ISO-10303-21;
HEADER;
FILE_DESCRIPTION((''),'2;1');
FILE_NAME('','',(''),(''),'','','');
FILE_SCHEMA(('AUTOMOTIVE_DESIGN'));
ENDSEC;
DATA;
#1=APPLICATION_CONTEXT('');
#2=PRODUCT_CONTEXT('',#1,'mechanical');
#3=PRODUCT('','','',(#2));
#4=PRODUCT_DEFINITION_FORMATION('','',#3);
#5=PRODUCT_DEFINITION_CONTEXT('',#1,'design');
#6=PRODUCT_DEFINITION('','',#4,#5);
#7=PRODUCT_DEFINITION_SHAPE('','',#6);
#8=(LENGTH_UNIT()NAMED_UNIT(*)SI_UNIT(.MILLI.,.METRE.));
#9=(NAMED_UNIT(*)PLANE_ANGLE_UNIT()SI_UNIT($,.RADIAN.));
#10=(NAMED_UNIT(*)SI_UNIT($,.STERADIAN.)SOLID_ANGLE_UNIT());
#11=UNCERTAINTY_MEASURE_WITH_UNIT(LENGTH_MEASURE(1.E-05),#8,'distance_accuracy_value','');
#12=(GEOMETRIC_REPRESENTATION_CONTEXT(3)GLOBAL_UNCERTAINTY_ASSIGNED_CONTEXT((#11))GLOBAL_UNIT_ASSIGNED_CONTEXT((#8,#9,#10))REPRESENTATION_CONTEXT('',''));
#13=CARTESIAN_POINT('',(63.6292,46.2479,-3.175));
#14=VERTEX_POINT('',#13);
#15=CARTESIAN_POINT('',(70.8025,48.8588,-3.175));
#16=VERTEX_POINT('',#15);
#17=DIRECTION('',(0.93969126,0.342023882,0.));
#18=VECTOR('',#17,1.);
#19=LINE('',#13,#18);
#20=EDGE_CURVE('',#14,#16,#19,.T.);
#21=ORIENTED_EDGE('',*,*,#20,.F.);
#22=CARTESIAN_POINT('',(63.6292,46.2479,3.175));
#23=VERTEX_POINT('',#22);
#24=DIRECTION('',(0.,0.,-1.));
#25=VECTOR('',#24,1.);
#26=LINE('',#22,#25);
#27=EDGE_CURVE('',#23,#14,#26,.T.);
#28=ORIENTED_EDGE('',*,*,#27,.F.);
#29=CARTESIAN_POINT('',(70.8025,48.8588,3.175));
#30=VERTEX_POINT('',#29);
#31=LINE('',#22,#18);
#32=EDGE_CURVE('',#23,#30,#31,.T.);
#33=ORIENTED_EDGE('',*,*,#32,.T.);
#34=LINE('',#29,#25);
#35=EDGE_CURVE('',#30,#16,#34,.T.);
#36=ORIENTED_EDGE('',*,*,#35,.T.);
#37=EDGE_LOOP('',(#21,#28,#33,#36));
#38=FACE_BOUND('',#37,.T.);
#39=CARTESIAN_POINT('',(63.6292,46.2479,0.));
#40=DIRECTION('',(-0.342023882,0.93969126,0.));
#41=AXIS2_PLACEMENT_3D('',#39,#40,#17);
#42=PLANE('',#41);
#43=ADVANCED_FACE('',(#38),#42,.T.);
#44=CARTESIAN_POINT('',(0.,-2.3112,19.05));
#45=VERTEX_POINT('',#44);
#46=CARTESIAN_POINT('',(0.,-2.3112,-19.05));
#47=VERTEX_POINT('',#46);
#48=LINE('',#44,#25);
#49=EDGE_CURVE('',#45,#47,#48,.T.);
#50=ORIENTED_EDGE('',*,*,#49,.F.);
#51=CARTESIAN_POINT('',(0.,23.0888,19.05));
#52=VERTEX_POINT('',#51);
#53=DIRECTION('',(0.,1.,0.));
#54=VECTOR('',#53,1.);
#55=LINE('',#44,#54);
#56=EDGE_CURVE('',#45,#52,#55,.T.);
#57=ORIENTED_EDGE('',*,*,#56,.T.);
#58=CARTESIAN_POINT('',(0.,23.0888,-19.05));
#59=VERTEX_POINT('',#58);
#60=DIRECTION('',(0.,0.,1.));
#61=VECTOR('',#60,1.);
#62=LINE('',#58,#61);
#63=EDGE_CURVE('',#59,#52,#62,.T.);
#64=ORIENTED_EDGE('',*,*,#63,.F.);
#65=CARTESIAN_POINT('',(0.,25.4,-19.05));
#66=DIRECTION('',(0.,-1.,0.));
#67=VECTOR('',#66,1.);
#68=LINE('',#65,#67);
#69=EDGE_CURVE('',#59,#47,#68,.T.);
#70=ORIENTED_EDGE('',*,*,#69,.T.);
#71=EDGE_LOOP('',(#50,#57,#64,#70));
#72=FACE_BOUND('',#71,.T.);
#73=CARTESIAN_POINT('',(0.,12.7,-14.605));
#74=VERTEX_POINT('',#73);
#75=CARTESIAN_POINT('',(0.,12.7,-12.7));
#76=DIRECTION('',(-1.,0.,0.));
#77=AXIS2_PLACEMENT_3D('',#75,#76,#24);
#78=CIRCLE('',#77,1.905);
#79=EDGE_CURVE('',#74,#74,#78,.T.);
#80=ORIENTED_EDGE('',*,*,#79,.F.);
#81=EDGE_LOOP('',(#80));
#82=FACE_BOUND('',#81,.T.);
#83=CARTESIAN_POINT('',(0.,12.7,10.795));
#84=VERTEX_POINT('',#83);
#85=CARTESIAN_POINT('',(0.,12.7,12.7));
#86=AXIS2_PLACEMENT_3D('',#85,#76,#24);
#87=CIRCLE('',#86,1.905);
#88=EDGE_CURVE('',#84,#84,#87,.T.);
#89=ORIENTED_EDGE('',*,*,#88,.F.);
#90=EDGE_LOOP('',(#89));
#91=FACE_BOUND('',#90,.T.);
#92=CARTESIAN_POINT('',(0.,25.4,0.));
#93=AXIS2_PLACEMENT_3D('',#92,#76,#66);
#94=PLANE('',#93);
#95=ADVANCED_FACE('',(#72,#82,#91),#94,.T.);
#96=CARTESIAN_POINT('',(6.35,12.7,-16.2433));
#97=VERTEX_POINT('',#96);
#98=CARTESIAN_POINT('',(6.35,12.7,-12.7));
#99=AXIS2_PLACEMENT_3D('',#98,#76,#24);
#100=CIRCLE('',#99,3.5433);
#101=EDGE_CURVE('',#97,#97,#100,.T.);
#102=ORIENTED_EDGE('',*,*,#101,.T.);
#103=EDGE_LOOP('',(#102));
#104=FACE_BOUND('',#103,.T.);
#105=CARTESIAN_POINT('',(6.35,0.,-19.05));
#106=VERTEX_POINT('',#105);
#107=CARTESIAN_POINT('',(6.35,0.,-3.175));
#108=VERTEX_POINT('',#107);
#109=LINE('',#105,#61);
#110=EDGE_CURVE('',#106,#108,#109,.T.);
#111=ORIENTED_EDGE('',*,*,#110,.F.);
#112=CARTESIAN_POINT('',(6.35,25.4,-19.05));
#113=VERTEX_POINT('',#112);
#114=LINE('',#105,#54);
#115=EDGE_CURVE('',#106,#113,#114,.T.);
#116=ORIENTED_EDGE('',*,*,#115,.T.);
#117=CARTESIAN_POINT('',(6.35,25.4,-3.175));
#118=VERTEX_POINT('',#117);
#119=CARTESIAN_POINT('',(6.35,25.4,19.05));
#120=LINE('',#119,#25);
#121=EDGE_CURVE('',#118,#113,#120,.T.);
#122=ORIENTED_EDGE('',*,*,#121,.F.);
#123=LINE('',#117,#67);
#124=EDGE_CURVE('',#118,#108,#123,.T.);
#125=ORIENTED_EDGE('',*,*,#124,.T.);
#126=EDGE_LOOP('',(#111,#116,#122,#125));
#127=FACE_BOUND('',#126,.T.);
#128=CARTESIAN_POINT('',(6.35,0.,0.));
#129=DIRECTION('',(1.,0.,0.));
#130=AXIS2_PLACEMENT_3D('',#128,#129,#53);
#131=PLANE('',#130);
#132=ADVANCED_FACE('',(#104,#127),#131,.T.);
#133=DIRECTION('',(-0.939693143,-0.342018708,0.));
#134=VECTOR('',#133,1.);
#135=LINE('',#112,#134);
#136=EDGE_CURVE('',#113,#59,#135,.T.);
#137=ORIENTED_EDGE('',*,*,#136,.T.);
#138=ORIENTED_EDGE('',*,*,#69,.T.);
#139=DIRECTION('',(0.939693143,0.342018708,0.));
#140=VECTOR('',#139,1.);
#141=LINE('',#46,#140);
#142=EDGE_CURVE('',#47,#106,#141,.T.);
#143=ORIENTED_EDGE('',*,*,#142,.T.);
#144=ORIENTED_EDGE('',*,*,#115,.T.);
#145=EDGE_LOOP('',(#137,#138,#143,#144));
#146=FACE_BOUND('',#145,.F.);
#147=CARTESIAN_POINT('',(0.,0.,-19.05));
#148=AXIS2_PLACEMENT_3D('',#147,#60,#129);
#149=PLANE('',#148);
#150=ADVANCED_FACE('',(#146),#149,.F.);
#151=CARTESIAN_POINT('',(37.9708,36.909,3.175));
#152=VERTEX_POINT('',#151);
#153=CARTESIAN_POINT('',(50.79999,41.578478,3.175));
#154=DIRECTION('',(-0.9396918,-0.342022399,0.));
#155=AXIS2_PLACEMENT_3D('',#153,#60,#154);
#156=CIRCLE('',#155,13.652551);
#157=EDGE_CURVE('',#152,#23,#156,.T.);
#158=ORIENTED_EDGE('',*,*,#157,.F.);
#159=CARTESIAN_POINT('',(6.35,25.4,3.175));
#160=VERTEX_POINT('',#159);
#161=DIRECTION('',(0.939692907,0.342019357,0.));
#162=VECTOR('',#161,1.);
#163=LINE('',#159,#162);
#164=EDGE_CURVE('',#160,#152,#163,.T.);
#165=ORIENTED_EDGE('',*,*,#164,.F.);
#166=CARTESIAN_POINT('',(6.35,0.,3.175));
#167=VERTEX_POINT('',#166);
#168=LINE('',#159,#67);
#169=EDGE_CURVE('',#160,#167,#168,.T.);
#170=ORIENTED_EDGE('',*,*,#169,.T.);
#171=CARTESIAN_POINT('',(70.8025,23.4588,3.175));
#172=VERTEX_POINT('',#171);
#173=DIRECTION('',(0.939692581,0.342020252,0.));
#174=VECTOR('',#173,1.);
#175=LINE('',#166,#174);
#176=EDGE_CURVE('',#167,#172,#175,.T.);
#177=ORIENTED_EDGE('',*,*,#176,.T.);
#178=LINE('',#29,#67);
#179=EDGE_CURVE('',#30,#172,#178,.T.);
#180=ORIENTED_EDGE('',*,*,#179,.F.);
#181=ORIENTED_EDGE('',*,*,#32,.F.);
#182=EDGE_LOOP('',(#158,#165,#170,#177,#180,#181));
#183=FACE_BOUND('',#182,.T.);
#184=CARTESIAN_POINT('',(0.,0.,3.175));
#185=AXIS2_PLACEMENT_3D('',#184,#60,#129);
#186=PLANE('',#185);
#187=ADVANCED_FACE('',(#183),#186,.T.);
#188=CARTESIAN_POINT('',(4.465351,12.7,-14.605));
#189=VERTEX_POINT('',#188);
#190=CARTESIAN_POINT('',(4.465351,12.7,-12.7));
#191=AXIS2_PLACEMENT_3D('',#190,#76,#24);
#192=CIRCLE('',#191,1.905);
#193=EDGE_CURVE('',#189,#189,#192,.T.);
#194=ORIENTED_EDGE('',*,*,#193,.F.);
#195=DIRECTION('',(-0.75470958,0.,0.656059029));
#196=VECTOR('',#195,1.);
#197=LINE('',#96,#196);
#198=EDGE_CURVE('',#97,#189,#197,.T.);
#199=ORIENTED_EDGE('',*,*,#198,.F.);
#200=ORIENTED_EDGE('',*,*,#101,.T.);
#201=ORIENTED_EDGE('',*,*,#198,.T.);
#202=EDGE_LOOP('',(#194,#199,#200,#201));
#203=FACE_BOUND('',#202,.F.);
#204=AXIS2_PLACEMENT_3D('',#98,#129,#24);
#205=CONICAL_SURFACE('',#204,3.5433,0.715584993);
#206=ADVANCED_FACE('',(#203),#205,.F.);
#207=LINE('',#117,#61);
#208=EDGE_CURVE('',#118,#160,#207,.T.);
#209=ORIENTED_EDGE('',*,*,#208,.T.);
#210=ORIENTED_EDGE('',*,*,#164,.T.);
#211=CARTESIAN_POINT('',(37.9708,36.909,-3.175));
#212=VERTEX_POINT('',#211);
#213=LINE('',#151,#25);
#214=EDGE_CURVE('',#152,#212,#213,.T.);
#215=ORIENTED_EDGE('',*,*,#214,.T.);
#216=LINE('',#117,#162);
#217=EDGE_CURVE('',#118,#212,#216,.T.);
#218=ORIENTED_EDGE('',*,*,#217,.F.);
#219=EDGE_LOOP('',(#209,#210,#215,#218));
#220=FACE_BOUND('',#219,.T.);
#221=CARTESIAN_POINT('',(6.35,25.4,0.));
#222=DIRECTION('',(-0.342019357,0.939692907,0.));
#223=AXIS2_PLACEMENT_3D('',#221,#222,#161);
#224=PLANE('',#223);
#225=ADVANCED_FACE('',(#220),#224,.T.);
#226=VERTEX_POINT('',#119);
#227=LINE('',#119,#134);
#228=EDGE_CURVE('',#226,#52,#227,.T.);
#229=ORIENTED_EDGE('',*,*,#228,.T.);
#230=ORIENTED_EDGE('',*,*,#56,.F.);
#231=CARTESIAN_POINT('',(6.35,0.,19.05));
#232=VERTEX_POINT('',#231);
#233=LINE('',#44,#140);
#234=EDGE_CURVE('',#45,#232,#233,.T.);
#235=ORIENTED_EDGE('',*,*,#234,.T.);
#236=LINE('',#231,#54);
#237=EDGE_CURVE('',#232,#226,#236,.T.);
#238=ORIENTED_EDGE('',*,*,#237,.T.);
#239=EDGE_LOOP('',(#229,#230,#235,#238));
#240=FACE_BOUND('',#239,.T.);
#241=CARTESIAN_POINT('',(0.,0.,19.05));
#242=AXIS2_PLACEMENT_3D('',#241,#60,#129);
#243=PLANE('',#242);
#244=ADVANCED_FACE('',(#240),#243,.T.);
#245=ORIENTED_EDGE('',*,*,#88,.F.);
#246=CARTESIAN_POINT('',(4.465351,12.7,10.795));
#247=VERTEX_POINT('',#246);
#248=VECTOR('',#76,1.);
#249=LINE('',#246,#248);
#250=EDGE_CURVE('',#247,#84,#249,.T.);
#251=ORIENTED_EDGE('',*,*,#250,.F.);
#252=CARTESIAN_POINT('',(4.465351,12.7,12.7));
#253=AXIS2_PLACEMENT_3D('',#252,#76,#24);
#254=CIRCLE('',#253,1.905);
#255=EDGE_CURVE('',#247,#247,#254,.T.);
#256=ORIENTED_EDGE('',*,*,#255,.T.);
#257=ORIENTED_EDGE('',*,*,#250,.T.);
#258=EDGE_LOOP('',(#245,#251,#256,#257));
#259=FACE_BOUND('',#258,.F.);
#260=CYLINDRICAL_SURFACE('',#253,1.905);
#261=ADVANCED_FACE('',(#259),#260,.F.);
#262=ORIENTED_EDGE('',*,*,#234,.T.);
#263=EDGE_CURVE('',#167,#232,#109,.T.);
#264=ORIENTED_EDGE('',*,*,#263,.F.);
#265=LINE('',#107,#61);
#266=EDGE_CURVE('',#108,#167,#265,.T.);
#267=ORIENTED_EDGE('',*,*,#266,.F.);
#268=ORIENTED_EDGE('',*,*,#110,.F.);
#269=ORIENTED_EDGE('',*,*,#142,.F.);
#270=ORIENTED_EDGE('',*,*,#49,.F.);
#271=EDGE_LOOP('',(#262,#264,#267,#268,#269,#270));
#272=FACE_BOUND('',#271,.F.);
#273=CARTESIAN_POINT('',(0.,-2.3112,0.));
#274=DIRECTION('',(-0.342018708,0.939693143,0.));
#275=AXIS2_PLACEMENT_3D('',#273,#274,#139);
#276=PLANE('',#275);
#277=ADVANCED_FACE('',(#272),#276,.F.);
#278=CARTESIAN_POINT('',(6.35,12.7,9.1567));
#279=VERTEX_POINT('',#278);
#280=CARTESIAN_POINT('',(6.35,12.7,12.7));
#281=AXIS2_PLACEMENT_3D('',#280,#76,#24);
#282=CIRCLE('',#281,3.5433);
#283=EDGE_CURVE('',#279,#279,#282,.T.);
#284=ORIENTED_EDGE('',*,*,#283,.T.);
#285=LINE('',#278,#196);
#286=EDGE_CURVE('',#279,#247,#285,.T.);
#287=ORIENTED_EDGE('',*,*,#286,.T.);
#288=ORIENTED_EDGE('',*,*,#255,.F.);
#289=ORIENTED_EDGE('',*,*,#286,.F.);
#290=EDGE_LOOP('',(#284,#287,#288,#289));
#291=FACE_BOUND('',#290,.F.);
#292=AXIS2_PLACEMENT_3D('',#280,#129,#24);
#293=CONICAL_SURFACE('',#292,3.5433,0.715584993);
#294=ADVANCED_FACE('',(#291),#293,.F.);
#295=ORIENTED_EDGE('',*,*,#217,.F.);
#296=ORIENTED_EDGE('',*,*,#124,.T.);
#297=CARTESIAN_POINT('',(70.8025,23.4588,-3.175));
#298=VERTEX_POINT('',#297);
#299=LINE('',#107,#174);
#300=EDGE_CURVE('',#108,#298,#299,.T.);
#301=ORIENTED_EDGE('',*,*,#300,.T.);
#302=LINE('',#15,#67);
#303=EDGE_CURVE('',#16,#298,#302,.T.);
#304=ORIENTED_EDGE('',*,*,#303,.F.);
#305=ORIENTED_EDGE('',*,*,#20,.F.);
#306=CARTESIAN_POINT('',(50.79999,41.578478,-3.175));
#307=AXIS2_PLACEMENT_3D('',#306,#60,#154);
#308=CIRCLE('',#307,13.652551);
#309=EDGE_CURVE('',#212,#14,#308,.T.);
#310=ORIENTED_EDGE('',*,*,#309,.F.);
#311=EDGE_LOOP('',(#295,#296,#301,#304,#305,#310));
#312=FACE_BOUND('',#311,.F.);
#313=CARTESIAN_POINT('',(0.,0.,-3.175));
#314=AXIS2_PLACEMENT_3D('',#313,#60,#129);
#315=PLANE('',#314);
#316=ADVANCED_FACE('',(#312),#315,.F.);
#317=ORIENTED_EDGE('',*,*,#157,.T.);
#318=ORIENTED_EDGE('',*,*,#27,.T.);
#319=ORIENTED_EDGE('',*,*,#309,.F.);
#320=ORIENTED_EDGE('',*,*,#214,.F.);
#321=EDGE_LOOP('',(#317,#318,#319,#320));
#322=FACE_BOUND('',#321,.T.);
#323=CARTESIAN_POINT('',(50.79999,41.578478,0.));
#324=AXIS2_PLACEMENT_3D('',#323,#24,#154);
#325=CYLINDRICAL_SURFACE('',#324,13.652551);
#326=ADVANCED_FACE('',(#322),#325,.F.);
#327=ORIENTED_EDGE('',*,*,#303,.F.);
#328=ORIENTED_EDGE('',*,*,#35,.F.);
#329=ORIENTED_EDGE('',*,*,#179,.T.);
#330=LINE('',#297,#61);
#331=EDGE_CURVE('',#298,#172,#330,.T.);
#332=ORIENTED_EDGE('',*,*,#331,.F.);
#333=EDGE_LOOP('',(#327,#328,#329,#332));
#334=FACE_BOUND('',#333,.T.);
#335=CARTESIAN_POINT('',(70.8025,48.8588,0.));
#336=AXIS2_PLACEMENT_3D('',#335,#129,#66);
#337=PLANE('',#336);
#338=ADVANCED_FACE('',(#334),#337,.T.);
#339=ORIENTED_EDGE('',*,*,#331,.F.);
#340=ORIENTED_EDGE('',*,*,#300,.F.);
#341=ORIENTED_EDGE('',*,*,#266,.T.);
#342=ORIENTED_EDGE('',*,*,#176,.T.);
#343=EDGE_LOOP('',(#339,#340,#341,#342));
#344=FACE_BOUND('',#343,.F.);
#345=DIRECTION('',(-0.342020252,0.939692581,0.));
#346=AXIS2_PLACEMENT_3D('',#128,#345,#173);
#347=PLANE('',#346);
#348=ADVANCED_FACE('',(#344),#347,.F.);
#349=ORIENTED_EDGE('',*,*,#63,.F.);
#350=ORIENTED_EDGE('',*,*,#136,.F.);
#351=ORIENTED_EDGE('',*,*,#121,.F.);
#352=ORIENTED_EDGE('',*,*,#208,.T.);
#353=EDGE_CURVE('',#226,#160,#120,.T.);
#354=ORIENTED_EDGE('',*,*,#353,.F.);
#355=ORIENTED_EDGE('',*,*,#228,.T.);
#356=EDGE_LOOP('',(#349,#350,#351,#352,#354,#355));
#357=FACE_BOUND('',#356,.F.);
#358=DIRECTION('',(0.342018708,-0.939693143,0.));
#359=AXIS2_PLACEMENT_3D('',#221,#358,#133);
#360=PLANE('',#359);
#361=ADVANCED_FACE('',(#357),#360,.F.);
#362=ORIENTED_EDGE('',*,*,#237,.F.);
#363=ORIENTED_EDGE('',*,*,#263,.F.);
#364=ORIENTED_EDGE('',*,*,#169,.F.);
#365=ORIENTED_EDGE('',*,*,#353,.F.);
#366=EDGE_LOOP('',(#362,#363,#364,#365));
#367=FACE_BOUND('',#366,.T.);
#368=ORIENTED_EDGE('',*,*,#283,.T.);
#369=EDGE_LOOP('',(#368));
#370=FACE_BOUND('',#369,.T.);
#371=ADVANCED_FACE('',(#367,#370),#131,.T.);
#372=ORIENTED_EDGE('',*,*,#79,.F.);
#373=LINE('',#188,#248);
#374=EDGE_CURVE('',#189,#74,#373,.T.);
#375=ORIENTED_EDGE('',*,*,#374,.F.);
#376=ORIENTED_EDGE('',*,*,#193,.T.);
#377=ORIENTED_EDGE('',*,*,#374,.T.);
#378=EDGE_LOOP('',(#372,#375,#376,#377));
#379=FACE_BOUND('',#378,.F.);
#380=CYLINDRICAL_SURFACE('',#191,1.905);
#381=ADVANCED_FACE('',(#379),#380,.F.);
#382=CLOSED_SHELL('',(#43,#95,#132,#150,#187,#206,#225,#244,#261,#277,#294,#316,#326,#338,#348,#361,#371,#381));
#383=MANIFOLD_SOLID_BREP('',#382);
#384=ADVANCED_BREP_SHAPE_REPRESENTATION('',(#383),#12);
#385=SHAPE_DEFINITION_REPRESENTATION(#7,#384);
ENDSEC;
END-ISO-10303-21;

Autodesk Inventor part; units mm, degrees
ref_plane "YZ Plane" through (0, 0, 0) normal (1, 0, 0) x (0, 1, 0)
ref_plane "XZ Plane" through (0, 0, 0) normal (0, 1, 0) x (-1, 0, 0)
sketch "Sketch5" plane through (0, 0, 0) normal (0, 0, 1) x (1, 0, 0)
  line L0 (0, 0) -> (6.35, 0)
  line L1 (6.35, 0) -> (6.35, 25.4)
  line L2 (6.35, 25.4) -> (0, 25.4)
  line L3 (0, 25.4) -> (0, 0)
  dimension "d21" = 25.4
  dimension "d22" = 6.35
extrude "Extrusion3" add sketch "Sketch5" against normal mid plane 38.1
sketch "Sketch6" plane through (0, 0, 0) normal (0, 0, 1) x (1, 0, 0)
  line L0 (6.35, 25.4) -> (6.35, 0) projected
  line L1 (0, 25.4) -> (6.35, 25.4) projected
  line L2 (6.35, 0) -> (0, 0) projected
  line L3 (0, 0) -> (0, 25.4) projected
  line L4 (6.35, 0) -> (70.8025, 23.4588)
  line L5 (6.35, 0) -> (74.9389, 0) construction
  line L6 (70.8025, 48.8588) -> (70.8025, 23.4588)
  arc A0 (37.9708, 36.909) -> (63.6292, 46.2479) centre (50.8, 41.5785) ccw
  line L7 (6.35, 25.4) -> (37.9708, 36.909)
  line L8 (63.6292, 46.2479) -> (70.8025, 48.8588)
  dimension "d25" = 20
  dimension "d26" = 27.305
  dimension "d29" = 6.35
  dimension "d30" = 50.8
  dimension "d33" = 0
extrude "Extrusion4" add sketch "Sketch6" along normal mid plane 6.35 contours L7 A0 L8 L6 L4 L0
sketch "Sketch7" plane through (6.35, 0, 19.05) normal (1, 0, 0) x (0, 0, -1)
  line L0 (38.1, 25.4) -> (0, 25.4) construction
  line L1 (6.35, 25.4) -> (6.35, 0) construction
  line L2 (31.75, 25.4) -> (31.75, 0) construction
  line L3 (0, 0) -> (0, 25.4) construction
  line L4 (38.1, 25.4) -> (38.1, 0) construction
  line L5 (0, 0) -> (15.875, 0) projected
  line L6 (22.225, 0) -> (38.1, 0) projected
  point P0 (19.05, 0)
  point P1 (6.35, 12.7)
  point P2 (31.75, 12.7)
  dimension "d34" = 6.35
  dimension "d35" = 6.35
sketch "Sketch8" plane through (0, 0, 0) normal (0, 0, 1) x (1, 0, 0)
  line L0 (0, 0) -> (0, 25.4) projected
  line L1 (6.35, 0) -> (0, 0) projected
  line L2 (70.8025, 23.4588) -> (6.35, 0) projected
  line L3 (0, 0) -> (6.35, 0)
  line L4 (0, -2.3112) -> (6.35, 0)
  line L5 (0, 0) -> (0, -2.3112)
extrude "Extrusion5" add sketch "Sketch8" along normal mid plane 38.1
hole "Hole3" at (6.35, 12.7, 12.7) at (6.35, 12.7, -12.7) direction (-1, 0, 0) diameter 3.81 end through all countersink diameter 7.0866 countersink angle 82 clearance for "Flat Head Machine Screw (82)" size "#6" standard "Ansi Unified Screw Threads"
sketch "Sketch9" plane through (0, 0, 0) normal (0, 0, 1) x (1, 0, 0)
  line L0 (0, -2.3112) -> (0, 25.4) projected
  line L1 (0, 25.4) -> (6.35, 25.4) projected
  line L2 (6.35, 25.4) -> (37.9708, 36.909) projected
  line L3 (6.35, 25.4) -> (6.35, 0) projected
  line L4 (6.35, 25.4) -> (0, 25.4)
  line L5 (6.35, 25.4) -> (6.35, 0) projected
  line L6 (6.35, 25.4) -> (0, 23.0888)
  line L7 (0, 25.4) -> (0, 23.0888)
  point P0 (0, 0)
extrude "Extrusion6" cut sketch "Sketch9" along normal mid plane 38.1
equation "\"d21\" = supportHeight"
equation "\"d22\" = supportWidth"
equation "\"d23\" = totalScrewHoldWidth"
equation "\"d25\" = supportAngle"
equation "\"d26\" = pipeDiameter"
equation "\"d30\" = distanceFromWallToPipeCenter"
equation "\"d31\" = supportWidth"
equation "\"d47\" = totalScrewHoldWidth"
equation "\"d62\" = totalScrewHoldWidth"
equation "\"pipeDiameter\" = 27.305"
equation "\"distanceFromWallToPipeCenter\" = 50.8"
equation "\"supportHeight\" = 25.4"
equation "\"supportWidth\" = 6.35"
equation "\"screwHoldDepth\" = 6.35"
equation "\"totalScrewHoldWidth\" = 38.1"
equation "\"screwPositionFromTop\" = 6.35"
equation "\"supportAngle\" = 20deg"
properties part number "PipeSupport-2_00-020"
